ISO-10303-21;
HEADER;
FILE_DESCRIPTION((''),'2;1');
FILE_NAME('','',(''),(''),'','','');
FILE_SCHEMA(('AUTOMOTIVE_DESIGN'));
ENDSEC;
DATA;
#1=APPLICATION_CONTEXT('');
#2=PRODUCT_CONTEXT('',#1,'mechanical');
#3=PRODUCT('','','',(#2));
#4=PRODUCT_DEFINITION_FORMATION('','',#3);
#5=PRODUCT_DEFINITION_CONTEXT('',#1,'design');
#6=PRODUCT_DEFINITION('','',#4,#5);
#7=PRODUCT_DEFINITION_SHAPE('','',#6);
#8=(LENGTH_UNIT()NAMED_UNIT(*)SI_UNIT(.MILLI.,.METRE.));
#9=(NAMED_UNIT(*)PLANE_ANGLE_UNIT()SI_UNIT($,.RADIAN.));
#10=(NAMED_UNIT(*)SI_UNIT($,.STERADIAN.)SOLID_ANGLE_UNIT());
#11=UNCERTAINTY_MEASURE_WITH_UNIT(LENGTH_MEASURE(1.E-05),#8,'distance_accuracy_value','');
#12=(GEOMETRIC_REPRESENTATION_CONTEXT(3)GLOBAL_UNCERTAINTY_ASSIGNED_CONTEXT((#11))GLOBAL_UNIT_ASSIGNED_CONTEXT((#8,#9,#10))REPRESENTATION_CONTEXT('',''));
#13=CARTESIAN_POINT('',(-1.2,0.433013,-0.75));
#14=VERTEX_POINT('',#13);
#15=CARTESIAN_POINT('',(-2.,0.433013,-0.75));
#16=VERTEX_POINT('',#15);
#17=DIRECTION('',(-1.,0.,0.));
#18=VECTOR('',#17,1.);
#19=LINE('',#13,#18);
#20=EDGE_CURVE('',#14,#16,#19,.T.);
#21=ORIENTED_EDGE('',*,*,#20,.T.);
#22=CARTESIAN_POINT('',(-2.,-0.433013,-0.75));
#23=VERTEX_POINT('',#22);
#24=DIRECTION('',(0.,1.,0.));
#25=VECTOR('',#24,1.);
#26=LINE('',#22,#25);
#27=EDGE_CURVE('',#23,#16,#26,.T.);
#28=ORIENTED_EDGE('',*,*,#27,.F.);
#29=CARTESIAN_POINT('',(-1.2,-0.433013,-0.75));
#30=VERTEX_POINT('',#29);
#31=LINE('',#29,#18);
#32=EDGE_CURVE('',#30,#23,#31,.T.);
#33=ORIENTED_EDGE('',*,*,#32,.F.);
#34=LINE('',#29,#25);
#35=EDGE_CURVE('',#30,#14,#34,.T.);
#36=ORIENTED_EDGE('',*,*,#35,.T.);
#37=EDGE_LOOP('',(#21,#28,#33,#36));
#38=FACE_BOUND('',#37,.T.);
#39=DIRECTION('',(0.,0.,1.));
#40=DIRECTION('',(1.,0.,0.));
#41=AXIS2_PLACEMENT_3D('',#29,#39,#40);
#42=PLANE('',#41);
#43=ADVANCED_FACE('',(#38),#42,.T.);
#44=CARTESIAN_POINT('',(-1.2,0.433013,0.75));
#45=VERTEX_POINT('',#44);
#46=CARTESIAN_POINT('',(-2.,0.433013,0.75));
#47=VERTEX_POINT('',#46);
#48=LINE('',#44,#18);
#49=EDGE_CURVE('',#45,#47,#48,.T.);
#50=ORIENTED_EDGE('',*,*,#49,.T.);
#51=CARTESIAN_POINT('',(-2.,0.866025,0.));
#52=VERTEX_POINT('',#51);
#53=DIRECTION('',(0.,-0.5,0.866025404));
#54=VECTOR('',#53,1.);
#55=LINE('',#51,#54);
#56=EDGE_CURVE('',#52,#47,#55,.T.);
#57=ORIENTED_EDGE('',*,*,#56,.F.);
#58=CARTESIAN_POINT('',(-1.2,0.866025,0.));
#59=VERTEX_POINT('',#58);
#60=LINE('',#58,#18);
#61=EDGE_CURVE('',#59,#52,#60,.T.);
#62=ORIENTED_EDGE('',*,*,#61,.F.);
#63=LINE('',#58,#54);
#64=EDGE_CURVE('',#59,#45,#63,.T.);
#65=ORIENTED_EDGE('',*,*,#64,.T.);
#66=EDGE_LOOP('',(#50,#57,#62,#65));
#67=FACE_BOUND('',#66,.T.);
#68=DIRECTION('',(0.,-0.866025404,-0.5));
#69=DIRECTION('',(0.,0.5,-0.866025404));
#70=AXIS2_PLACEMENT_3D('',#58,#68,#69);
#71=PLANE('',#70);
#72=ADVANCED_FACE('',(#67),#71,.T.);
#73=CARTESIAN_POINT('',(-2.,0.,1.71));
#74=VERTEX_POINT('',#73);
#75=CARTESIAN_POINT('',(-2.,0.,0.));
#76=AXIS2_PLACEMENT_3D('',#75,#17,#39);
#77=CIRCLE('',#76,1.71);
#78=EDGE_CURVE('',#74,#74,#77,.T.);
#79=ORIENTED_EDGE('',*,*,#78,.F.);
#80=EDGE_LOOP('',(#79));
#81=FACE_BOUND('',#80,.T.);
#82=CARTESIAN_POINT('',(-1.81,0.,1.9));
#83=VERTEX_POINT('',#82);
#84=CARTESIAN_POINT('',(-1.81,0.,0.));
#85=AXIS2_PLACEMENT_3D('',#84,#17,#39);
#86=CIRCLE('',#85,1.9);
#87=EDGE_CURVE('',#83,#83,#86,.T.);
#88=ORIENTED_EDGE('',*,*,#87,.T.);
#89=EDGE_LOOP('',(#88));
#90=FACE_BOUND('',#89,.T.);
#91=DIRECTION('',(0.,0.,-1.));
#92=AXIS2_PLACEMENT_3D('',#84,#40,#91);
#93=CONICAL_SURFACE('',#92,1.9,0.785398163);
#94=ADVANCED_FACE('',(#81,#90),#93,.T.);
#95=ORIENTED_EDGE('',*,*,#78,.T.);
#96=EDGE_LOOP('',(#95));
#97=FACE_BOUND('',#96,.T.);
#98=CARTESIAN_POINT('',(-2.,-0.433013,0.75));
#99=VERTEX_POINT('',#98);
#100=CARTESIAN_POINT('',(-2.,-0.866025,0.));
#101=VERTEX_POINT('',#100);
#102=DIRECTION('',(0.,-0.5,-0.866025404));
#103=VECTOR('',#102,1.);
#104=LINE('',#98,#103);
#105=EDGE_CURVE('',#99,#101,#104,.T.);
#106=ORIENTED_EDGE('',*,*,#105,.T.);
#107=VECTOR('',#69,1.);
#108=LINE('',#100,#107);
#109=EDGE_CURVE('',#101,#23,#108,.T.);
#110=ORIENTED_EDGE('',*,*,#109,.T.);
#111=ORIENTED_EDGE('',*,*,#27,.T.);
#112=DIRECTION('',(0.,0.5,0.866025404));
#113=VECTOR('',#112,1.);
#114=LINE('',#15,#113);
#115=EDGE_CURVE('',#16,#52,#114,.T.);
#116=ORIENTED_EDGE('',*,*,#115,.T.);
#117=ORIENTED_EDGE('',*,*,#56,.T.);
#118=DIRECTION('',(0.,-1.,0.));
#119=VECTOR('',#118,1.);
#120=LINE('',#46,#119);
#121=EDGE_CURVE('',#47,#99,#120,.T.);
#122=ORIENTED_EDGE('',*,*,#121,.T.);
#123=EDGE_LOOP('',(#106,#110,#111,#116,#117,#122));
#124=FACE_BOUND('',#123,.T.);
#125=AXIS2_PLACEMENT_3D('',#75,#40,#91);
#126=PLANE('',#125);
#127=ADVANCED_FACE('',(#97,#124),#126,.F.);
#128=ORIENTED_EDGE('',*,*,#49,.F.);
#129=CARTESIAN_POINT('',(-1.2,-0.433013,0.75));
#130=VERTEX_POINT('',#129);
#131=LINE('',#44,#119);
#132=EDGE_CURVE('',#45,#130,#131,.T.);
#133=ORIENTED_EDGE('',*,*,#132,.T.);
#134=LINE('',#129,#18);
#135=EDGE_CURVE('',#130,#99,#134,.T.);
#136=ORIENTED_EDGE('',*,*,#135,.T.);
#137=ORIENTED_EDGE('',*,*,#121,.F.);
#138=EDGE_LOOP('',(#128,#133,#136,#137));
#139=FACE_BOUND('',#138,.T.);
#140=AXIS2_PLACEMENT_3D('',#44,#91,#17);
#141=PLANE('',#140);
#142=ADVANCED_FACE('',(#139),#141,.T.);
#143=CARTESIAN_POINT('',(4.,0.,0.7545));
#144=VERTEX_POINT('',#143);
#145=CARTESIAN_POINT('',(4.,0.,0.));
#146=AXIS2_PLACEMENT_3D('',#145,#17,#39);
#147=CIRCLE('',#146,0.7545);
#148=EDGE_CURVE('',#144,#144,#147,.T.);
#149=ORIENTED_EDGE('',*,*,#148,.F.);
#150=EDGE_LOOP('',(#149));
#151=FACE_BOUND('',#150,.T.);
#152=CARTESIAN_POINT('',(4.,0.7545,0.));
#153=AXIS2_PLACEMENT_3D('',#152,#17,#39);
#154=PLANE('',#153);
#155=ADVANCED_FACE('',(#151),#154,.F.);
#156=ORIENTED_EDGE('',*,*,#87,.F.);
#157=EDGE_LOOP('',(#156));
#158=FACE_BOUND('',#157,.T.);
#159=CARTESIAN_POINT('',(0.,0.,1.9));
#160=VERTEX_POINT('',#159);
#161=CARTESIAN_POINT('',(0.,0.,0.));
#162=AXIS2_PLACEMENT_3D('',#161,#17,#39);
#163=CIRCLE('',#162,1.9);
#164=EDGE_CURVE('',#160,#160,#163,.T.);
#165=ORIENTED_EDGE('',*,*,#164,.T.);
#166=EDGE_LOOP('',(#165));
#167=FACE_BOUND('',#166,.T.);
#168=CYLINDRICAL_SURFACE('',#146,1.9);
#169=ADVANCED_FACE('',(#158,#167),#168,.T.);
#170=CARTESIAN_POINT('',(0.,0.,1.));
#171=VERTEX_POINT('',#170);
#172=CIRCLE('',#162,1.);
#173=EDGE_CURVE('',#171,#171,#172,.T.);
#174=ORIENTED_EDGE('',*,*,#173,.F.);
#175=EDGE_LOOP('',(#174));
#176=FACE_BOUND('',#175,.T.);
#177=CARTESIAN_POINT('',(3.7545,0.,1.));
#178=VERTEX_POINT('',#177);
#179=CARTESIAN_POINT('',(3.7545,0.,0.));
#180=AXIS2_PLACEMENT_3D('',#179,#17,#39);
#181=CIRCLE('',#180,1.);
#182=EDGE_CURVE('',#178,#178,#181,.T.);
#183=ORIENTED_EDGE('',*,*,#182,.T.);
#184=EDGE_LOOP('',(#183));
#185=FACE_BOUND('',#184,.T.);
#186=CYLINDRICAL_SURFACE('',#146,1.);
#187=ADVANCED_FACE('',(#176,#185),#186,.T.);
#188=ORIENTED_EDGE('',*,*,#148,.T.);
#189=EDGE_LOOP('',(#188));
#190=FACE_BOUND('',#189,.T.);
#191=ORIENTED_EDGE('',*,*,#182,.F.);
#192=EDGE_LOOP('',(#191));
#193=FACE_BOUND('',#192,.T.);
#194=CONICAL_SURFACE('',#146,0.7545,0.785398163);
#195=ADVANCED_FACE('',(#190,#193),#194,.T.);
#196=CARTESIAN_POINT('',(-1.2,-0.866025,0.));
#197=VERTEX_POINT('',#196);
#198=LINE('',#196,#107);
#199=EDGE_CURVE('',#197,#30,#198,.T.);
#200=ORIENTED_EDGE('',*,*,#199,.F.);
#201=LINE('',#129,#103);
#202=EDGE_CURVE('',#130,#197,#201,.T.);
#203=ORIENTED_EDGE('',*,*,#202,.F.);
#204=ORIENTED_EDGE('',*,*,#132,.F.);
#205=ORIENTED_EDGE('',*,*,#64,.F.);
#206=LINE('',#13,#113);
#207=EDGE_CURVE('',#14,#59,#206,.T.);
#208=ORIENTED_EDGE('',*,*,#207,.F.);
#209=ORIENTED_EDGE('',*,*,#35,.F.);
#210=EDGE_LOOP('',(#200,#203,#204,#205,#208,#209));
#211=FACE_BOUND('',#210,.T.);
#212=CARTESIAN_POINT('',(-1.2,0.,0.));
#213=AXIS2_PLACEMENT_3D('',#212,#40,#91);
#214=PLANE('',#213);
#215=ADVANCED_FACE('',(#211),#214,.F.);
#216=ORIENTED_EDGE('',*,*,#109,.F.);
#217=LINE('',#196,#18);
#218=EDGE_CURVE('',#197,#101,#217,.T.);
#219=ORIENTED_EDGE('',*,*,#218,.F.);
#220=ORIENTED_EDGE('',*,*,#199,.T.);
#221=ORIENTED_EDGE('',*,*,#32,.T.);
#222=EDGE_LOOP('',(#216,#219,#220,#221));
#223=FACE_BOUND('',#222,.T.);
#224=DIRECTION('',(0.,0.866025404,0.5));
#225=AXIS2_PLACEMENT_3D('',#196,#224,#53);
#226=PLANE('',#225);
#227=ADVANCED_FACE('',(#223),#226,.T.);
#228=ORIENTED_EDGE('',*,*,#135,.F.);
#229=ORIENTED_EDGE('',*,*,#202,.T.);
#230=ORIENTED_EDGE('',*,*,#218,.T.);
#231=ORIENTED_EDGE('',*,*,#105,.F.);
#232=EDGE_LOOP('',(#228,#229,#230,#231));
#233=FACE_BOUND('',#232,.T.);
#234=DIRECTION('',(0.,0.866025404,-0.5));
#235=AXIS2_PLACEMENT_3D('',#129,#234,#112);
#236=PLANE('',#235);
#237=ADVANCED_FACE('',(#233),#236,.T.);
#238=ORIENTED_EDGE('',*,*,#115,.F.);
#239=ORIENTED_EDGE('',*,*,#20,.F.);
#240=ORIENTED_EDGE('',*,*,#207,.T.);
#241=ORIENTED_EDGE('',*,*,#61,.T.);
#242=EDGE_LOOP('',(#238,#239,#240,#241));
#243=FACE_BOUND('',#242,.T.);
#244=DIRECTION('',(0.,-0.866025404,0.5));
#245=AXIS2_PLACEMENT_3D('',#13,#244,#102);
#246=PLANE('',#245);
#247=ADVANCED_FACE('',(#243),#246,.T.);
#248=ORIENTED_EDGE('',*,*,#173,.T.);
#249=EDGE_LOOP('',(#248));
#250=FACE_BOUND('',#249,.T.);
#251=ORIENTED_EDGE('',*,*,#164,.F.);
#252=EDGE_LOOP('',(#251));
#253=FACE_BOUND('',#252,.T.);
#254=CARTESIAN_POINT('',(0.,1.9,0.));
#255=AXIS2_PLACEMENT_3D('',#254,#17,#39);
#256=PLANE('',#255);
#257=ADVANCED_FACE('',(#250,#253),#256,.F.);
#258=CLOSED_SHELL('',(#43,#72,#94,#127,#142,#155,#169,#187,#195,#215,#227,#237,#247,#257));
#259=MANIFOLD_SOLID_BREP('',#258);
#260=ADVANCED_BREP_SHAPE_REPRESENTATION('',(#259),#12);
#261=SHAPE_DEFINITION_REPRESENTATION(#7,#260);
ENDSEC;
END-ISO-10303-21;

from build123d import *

# Parameters (mm, degrees)
CUT_EXTRUDE1_DEPTH = 0.8


with BuildPart() as part:
    # Sketch1 → Revolve1 (revolve)
    with BuildSketch(Plane.XY):
        Polygon((-2, 0), (-2, 1.71), (-1.81, 1.9), (0, 1.9), (0, 1), (3.7545, 1), (4, 0.7545), (4, 0), align=None)
    revolve(axis=Axis((4, 0, 0), (-1, 0, 0)))

    # Sketch2 → Cut-Extrude1 (cut)
    with BuildSketch(Plane(origin=(-2, 0, 0), x_dir=(0, 0, -1), z_dir=(1, 0, 0))):
        Polygon((-0.75, -0.433012702), (0, -0.866025404), (0.75, -0.433012702), (0.75, 0.433012702), (0, 0.866025404), (-0.75, 0.433012702), align=None)
    extrude(amount=CUT_EXTRUDE1_DEPTH, mode=Mode.SUBTRACT)


solid = part.part
